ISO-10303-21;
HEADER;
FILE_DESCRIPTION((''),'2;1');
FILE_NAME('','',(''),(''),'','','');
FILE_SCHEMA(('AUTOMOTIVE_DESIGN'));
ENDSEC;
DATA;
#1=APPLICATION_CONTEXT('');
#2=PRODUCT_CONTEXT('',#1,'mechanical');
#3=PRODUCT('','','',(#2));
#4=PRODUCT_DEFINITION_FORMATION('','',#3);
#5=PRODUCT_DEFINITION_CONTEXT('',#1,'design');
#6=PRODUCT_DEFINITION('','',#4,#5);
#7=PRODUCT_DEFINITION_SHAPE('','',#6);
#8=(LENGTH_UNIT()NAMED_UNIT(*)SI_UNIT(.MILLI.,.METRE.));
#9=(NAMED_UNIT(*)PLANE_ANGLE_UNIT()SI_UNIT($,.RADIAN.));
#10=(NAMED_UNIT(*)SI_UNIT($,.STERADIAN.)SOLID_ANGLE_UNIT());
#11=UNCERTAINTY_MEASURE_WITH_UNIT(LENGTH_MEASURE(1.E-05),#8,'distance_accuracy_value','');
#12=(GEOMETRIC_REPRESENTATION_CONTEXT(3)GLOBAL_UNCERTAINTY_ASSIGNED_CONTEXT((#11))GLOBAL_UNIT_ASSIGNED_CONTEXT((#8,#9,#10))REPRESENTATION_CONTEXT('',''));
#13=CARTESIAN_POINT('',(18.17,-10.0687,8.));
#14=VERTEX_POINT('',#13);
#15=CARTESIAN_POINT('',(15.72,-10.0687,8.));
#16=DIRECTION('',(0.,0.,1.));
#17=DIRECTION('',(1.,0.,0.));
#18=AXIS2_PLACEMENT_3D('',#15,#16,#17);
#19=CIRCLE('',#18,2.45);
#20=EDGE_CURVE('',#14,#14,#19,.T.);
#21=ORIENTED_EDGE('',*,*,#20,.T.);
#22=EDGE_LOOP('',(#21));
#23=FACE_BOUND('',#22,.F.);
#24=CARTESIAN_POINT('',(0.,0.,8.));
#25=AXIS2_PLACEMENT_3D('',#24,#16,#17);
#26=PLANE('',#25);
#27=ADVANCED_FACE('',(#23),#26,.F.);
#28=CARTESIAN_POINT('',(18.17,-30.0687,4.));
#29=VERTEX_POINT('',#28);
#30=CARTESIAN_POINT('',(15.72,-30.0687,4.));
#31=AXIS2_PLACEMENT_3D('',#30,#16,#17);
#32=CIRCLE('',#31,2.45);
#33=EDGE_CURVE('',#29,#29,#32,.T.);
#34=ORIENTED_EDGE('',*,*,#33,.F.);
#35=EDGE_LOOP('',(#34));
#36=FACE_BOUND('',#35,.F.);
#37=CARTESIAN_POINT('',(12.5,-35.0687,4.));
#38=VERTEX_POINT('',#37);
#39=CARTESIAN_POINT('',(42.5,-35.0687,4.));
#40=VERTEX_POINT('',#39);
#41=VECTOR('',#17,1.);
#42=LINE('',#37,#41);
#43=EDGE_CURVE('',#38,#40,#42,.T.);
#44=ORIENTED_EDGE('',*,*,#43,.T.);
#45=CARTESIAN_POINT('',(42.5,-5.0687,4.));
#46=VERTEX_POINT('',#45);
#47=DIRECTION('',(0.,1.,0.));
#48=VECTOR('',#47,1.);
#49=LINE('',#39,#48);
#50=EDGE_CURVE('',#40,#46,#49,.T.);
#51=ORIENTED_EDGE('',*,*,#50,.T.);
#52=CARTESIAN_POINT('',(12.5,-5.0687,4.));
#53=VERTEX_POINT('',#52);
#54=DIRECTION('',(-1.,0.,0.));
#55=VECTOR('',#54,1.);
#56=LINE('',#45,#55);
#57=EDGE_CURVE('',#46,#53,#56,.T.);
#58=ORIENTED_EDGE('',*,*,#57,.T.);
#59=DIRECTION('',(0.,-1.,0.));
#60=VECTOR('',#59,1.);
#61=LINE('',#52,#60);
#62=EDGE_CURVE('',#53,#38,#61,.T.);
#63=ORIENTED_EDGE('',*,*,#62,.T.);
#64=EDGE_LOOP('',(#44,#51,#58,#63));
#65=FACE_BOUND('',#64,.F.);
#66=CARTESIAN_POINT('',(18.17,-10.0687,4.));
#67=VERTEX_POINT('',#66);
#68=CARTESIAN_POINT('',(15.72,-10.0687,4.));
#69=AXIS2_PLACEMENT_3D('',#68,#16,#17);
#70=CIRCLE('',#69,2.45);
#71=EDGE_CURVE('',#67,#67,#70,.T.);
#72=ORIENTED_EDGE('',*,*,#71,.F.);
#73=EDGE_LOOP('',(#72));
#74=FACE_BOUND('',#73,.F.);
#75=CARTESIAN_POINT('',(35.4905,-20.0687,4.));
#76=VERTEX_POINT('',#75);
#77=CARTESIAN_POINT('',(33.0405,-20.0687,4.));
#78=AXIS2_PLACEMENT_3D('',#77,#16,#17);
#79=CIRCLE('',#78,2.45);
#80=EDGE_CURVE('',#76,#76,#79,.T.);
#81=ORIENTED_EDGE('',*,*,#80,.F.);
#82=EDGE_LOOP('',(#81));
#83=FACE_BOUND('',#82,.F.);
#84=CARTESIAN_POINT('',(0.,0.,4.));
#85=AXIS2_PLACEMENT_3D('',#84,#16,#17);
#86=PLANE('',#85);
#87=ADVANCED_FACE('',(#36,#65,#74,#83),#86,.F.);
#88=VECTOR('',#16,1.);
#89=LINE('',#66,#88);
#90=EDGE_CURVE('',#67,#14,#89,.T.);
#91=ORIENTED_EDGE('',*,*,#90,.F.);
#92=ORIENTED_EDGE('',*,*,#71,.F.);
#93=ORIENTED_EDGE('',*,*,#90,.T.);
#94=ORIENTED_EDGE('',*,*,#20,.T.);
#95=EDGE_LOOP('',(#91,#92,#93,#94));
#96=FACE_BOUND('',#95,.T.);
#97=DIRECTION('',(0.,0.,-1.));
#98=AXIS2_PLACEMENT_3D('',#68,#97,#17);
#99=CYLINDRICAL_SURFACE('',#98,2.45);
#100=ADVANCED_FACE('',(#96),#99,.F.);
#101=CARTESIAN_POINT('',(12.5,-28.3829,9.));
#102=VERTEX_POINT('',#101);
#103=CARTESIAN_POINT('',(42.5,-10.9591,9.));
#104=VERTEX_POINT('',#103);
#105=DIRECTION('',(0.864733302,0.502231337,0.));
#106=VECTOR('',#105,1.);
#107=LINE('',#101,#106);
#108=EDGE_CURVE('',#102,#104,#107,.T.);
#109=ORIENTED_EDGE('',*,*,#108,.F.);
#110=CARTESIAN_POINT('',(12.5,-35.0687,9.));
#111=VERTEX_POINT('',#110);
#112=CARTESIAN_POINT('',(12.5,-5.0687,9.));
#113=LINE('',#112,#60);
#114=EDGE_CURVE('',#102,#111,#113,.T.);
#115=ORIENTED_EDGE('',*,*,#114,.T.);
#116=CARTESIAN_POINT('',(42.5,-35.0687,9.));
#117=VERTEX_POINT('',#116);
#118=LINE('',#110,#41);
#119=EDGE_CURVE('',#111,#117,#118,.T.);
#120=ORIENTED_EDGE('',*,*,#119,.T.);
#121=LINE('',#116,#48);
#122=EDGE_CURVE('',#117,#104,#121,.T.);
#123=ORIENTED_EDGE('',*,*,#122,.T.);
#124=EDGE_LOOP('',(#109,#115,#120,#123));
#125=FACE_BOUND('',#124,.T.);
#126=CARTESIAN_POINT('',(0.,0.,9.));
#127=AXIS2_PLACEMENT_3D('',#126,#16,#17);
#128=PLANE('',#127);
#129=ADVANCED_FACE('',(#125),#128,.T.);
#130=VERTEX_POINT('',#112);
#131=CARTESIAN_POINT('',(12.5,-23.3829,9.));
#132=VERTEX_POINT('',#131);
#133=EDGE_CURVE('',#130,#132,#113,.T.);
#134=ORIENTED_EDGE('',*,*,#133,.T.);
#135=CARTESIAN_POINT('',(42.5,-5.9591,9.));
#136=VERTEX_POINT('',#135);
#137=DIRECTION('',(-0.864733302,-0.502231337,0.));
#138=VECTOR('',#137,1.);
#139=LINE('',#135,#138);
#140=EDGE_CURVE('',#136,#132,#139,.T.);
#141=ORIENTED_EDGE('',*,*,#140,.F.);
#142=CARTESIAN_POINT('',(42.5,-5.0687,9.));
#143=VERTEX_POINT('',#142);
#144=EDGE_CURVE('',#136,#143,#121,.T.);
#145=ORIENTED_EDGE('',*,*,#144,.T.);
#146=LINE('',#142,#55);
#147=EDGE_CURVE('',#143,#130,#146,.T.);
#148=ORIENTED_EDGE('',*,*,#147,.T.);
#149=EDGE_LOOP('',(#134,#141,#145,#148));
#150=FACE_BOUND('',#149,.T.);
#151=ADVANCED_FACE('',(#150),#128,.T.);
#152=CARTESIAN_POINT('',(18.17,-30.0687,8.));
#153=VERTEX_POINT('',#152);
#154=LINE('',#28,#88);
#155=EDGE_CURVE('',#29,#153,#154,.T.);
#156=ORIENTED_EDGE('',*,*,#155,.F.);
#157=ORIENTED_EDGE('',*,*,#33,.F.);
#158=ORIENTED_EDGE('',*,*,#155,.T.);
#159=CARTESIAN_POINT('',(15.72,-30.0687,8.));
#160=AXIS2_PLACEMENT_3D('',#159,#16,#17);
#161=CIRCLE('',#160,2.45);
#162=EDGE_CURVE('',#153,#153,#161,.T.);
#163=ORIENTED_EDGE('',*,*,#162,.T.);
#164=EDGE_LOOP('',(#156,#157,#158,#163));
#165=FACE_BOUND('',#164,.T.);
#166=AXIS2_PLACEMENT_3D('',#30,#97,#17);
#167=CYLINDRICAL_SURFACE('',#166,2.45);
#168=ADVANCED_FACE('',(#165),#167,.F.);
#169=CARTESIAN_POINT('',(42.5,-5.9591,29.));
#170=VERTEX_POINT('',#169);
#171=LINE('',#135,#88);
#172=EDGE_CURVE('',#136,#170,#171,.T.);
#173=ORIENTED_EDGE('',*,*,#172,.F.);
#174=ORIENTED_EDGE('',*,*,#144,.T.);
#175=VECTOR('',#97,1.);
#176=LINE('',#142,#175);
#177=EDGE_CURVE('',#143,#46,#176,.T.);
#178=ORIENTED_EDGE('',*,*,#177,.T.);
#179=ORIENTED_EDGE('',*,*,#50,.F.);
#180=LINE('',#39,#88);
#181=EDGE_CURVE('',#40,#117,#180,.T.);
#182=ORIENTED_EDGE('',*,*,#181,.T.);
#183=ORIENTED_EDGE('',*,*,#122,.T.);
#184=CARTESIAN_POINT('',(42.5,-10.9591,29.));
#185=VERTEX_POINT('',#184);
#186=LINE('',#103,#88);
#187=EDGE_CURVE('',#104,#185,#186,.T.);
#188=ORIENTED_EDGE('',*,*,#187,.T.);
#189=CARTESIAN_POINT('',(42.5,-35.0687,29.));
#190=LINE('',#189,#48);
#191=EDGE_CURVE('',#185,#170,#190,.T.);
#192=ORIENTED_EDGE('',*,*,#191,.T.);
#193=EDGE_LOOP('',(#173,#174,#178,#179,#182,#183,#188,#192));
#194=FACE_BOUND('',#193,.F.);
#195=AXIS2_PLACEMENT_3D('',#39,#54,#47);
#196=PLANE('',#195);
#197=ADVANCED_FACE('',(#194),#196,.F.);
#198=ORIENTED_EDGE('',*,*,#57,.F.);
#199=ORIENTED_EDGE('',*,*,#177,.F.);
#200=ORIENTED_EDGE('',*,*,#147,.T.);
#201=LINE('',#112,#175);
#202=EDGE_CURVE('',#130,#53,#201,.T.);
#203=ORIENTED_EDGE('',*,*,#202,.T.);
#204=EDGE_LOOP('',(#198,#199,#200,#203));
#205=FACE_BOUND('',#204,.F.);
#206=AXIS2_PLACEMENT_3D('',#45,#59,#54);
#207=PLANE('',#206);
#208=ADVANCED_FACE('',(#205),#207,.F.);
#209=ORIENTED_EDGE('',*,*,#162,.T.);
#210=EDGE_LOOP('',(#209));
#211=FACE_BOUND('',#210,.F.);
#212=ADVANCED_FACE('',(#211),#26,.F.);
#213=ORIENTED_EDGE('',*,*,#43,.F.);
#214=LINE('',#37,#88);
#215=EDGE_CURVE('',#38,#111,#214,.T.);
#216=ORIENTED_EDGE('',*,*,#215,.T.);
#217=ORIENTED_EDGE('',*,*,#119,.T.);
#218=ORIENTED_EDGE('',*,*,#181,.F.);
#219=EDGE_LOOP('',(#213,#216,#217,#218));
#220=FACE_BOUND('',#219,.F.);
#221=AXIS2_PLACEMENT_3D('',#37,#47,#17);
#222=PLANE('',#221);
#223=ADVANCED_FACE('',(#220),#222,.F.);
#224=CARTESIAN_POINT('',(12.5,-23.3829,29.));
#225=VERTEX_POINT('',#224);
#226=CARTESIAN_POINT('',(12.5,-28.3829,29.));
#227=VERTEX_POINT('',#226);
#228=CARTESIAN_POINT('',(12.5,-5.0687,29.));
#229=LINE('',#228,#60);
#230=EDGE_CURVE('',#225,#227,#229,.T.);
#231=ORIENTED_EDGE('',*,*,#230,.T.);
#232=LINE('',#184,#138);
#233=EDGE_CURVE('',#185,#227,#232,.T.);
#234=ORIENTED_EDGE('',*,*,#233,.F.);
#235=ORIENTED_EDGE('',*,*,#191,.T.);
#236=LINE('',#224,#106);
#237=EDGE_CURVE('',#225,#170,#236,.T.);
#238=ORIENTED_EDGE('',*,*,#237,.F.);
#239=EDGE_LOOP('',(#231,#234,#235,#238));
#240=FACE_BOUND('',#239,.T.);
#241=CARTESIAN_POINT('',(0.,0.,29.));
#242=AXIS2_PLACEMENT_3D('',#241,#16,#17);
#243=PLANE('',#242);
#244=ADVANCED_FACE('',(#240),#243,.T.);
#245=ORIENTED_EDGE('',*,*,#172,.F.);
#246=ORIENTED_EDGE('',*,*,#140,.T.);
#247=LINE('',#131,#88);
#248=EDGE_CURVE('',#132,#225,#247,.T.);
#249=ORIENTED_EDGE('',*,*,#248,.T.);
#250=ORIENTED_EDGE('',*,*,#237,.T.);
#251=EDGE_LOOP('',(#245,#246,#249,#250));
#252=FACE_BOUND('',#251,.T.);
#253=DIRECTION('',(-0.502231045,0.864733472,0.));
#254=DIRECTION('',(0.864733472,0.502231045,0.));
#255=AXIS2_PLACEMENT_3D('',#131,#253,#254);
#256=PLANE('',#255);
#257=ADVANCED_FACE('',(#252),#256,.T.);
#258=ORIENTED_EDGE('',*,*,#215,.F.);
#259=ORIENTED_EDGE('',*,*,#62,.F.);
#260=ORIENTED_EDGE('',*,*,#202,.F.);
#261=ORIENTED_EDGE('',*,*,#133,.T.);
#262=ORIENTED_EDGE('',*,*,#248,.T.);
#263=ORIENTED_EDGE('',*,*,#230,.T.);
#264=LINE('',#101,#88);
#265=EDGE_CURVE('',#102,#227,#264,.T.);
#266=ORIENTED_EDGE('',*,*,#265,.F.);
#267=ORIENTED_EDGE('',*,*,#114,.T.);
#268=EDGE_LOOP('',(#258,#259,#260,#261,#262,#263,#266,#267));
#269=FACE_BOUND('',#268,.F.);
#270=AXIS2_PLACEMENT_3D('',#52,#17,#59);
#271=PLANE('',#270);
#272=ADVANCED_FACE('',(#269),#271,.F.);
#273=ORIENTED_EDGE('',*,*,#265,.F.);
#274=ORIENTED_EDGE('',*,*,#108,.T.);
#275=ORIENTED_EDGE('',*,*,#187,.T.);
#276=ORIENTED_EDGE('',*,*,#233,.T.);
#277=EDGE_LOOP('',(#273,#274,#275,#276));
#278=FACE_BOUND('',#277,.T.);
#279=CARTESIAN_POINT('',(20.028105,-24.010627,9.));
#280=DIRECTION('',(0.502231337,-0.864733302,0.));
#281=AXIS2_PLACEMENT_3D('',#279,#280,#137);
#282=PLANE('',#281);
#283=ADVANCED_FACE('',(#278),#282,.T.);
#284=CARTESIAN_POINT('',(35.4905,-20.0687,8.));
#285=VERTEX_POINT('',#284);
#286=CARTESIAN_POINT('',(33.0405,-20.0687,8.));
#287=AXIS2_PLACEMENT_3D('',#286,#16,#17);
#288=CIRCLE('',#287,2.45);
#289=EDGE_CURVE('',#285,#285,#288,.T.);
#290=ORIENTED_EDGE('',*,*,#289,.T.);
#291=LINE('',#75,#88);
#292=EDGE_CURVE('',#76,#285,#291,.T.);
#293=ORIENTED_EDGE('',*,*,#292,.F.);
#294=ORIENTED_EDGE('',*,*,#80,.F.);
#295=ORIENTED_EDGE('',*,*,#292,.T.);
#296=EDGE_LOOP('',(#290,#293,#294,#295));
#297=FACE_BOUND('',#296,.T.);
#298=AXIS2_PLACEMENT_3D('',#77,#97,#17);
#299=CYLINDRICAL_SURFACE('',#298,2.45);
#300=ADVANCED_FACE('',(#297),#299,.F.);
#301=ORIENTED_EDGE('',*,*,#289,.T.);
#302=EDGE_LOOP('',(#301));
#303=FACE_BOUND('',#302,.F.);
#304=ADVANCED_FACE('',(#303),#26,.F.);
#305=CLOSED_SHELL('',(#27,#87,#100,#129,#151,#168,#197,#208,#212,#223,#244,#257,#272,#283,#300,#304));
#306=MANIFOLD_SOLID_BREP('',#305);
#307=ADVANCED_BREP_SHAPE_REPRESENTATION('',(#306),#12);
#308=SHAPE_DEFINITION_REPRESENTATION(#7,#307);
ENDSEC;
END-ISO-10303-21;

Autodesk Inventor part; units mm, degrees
ref_plane "YZ Plane" through (0, 0, 0) normal (1, 0, 0) x (0, 1, 0)
ref_plane "XZ Plane" through (0, 0, 0) normal (0, 1, 0) x (-1, 0, 0)
ref_plane "XY Plane" through (0, 0, 0) normal (0, 0, 1) x (1, 0, 0)
ref_plane "Arbeitsebene1" through (0, 0, 4) normal (0, 0, 1) x (1, 0, 0)
sketch "Skizze1" plane through (0, 0, 4) normal (0, 0, 1) x (1, 0, 0)
  circle A0 centre (33.0405, -20.0687) radius 1.4 projected
  circle A1 centre (15.72, -10.0687) radius 1.4 projected
  circle A2 centre (15.72, -30.0687) radius 1.4 projected
  line L0 (0, -18.4687) -> (28.3951, -18.4687) projected
  arc A3 (28.3951, -21.6687) -> (28.3951, -18.4687) centre (28.3951, -20.0687) ccw projected
  line L1 (28.3951, -21.6687) -> (0, -21.6687) projected
  line L2 (0, -36.0687) -> (0, -21.6687) projected
  line L3 (0, -36.0687) -> (55, -36.0687) projected
  line L4 (55, -36.0687) -> (55, -6.0687) projected
  line L5 (55, -6.0687) -> (60, -6.0687) projected
  line L6 (60, 0) -> (60, -6.0687) projected
  line L7 (0, 0) -> (60, 0) projected
  line L8 (0, -18.4687) -> (0, 0) projected
  line L9 (12.5, -35.0687) -> (42.5, -35.0687)
  line L10 (42.5, -35.0687) -> (42.5, -5.0687)
  line L11 (42.5, -5.0687) -> (12.5, -5.0687)
  line L12 (12.5, -5.0687) -> (12.5, -35.0687)
  line L13 (12.5, -35.0687) -> (42.5, -5.0687) construction
  line L14 (42.5, -35.0687) -> (12.5, -5.0687) construction
  circle A4 centre (33.0405, -20.0687) radius 2.45
  circle A5 centre (15.72, -10.0687) radius 2.45
  circle A6 centre (15.72, -30.0687) radius 2.45
  line L15 (12.5, -18.4687) -> (12.5, -21.6687)
  point P0 (27.5, -20.0687)
  point P1 (18.7387, -21.6687)
  point P2 (11.6841, -36.0687)
  point P3 (46.6841, -36.0687)
  point P4 (18.7387, -18.4687)
  dimension "d0" = 30
  dimension "d1" = 30
  dimension "d2" = 4.9
  dimension "d3" = 4.9
  dimension "d4" = 4.9
extrude "Extrusion1" add sketch "Skizze1" along normal blind 4 contours L12 L11 L10 L9 L1 A3 L0 | L0 A3 L1 L12
sketch "Skizze2" plane through (0, 0, 8) normal (0, 0, 1) x (1, 0, 0)
  line L0 (12.5, -5.0687) -> (12.5, -35.0687) projected
  line L1 (42.5, -35.0687) -> (42.5, -5.0687) projected
  line L2 (42.5, -5.0687) -> (12.5, -5.0687) projected
  circle A0 centre (33.0405, -20.0687) radius 2.45 projected
  line L3 (12.5, -35.0687) -> (42.5, -35.0687) projected
  point P0 (0, 0)
extrude "Extrusion2" add sketch "Skizze2" along normal blind 1 contours L2 L1 L3 L0 | A0
sketch "Skizze3" plane through (0, 0, 9) normal (0, 0, 1) x (1, 0, 0)
  line L0 (12.5, -35.0687) -> (42.5, -35.0687) projected
  line L1 (42.5, -35.0687) -> (42.5, -5.0687) projected
  line L2 (42.5, -5.0687) -> (12.5, -5.0687) projected
  line L3 (12.5, -5.0687) -> (12.5, -35.0687) projected
  line L4 (37.9557, 14.9579) -> (17.8567, -20.2718) projected
  line L5 (17.8567, -20.2718) -> (-3.0822, -20.2721) projected
  line L6 (15.4322, -16.0975) -> (22.0334, -27.4633)
  line L7 (12.5, -5.0687) -> (12.5, -35.0687) projected
  line L8 (12.5, -23.3829) -> (44.0331, -5.0687)
  line L9 (42.5, -35.0687) -> (42.5, -5.0687) projected
  line L10 (42.5, -5.9591) -> (42.5, -10.9591)
  line L11 (42.5, -10.9591) -> (12.5, -28.3829)
  point P0 (0, 0)
  point P1 (42.5, -5.9591)
  point P2 (12.5, -28.3829)
  dimension "d9" = 119.706
  dimension "d10" = 59.853
  dimension "d11" = 5
extrude "Extrusion3" add sketch "Skizze3" along normal blind 20 contours L3 L8 L6 L11 | L11 L6 L8 L1
equation "\"d10\" = 0.5 * d9"
properties part number "cellSTORM_Flipmirror"
